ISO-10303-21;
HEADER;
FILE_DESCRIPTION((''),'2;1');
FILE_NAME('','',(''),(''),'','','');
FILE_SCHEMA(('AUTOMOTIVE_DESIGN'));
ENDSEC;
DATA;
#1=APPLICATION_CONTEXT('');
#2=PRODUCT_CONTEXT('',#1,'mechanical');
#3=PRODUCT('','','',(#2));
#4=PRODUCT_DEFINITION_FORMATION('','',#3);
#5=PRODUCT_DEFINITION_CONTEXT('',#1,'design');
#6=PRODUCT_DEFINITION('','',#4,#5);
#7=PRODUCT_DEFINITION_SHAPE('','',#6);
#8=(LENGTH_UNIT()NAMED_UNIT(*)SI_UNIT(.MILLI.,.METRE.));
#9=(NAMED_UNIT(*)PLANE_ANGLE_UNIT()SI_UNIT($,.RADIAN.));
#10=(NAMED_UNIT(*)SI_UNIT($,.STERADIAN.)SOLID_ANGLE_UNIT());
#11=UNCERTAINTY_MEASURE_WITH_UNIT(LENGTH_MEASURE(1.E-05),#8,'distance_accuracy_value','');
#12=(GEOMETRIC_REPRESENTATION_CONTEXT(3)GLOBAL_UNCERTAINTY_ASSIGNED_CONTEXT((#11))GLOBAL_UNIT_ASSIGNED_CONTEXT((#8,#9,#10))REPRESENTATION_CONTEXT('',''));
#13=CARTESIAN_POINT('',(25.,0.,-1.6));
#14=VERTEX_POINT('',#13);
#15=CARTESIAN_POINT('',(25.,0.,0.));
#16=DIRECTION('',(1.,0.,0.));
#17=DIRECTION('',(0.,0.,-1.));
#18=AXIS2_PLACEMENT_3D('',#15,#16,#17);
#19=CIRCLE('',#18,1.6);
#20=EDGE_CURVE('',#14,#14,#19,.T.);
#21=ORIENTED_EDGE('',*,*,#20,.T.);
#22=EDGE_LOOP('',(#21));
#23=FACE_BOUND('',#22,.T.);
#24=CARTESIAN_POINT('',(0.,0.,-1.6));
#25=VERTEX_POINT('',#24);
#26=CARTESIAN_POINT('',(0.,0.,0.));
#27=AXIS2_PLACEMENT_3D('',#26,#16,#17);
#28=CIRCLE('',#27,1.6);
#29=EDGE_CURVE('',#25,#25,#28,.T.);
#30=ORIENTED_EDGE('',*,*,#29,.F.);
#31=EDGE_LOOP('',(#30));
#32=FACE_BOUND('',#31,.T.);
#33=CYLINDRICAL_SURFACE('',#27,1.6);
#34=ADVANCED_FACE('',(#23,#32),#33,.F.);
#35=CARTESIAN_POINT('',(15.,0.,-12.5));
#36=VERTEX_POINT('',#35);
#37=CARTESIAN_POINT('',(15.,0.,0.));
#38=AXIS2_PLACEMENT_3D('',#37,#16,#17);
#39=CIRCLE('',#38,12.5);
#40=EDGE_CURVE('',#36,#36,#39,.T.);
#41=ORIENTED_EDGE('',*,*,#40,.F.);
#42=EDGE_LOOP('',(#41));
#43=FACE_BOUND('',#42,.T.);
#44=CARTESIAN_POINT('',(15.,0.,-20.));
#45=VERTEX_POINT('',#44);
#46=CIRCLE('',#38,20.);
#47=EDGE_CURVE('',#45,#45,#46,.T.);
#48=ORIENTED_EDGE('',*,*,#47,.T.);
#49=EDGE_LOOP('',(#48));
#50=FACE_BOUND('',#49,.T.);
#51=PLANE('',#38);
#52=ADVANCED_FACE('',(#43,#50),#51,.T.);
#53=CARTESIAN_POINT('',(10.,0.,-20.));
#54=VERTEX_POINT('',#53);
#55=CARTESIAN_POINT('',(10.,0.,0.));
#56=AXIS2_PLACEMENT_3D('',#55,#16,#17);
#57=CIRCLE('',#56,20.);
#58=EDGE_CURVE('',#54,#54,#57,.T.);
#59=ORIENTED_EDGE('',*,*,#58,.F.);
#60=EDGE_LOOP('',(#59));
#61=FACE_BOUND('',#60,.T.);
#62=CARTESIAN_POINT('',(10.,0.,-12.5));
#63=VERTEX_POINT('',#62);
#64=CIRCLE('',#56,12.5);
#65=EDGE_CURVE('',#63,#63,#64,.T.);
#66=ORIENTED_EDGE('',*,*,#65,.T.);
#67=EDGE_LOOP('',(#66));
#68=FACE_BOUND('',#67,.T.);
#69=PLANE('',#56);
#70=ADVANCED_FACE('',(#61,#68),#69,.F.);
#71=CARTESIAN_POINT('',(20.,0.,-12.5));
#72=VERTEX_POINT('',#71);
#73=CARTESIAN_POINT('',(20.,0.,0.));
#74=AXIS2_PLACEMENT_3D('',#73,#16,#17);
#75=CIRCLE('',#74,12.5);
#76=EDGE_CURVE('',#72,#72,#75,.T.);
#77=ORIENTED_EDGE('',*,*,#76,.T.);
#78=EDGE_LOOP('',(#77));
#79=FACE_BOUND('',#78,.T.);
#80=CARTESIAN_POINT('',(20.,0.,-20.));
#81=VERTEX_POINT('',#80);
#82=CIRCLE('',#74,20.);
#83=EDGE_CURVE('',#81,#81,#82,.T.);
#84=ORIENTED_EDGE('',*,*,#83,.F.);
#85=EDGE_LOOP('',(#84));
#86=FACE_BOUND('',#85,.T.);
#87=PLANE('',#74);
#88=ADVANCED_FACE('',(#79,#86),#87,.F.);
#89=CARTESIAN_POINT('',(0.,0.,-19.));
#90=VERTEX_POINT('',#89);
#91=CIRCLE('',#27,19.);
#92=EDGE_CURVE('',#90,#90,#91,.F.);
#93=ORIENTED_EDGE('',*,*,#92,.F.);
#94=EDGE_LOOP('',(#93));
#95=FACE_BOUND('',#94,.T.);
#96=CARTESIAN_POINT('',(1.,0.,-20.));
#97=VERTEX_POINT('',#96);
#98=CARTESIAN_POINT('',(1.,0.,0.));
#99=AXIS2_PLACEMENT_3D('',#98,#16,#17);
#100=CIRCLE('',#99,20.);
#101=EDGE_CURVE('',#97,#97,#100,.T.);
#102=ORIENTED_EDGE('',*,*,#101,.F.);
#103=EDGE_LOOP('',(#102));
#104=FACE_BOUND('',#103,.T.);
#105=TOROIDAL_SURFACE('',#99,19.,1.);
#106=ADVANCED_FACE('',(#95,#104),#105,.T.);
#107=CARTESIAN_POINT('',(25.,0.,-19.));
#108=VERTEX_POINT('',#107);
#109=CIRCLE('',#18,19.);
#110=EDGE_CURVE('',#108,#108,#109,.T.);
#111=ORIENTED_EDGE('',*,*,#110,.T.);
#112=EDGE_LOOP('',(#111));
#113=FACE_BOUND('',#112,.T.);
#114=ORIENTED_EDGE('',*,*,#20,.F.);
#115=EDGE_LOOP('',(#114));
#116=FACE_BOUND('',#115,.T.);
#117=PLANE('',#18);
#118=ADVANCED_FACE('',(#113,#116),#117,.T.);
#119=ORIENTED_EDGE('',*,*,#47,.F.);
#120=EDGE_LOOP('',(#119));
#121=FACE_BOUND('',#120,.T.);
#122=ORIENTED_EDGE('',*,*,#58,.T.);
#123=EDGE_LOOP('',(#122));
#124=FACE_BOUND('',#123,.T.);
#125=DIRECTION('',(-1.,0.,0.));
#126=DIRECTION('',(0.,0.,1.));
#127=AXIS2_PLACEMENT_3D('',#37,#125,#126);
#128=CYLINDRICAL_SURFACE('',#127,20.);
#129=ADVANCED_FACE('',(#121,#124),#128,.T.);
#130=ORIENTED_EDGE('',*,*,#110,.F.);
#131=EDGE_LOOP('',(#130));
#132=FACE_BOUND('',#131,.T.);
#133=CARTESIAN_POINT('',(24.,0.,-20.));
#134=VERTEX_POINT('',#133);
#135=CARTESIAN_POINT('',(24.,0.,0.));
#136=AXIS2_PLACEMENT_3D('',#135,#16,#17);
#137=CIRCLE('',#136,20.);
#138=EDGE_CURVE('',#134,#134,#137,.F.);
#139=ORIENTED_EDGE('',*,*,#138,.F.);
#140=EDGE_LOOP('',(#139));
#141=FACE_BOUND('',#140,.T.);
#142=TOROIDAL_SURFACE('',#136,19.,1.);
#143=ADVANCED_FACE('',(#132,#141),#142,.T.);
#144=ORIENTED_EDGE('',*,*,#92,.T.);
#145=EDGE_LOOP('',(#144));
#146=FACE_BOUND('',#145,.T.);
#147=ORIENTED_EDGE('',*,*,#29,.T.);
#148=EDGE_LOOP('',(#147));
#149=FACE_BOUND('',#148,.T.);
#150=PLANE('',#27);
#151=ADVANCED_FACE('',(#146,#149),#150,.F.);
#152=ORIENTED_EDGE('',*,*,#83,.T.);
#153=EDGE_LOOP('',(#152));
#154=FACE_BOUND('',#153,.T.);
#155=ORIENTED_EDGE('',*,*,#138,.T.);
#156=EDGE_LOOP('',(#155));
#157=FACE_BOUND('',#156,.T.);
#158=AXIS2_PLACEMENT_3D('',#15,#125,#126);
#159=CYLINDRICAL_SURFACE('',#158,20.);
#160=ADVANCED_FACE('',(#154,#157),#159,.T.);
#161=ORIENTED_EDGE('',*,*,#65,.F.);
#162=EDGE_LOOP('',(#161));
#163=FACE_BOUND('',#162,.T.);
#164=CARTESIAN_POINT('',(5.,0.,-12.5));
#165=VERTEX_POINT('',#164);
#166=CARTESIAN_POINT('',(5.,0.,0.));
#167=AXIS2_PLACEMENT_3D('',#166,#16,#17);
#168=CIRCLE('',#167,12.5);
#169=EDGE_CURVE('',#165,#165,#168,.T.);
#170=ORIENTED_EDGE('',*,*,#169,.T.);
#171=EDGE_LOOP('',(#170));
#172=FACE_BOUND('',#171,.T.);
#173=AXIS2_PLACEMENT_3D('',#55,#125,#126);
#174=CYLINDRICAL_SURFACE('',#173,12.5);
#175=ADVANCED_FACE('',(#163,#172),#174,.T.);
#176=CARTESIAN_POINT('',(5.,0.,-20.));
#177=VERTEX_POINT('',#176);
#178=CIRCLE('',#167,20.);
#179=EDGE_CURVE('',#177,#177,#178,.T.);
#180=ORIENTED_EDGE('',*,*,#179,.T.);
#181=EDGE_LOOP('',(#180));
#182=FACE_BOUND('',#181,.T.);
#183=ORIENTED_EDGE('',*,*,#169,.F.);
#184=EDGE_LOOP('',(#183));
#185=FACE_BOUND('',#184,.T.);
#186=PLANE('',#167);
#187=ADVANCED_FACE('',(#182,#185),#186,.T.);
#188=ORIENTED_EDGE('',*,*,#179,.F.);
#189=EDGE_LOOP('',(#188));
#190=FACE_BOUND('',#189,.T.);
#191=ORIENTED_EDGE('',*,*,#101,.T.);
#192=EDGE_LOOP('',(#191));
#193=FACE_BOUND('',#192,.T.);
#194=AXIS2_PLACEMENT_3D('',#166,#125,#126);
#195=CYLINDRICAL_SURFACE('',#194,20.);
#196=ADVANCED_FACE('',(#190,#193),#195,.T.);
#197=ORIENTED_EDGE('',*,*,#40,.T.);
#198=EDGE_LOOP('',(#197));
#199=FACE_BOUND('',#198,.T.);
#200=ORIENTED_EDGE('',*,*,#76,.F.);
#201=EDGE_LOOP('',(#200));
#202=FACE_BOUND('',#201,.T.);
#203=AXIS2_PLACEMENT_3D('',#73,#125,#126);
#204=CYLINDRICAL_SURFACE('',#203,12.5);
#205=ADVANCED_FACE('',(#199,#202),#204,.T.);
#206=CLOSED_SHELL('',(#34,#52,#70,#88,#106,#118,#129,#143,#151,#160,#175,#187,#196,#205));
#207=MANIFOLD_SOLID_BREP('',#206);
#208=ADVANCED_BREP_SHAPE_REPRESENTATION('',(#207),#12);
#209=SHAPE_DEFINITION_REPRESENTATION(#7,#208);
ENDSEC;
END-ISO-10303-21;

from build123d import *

# Parameters (mm, degrees)
SKETCH1_R           = 20
BOSS_EXTRUDE1_DEPTH = 5
SKETCH2_R           = 12.5
BOSS_EXTRUDE2_DEPTH = 5
SKETCH3_R           = 20
BOSS_EXTRUDE3_DEPTH = 5
SKETCH4_R           = 12.5
BOSS_EXTRUDE4_DEPTH = 5
SKETCH5_R           = 20
BOSS_EXTRUDE5_DEPTH = 5
FILLET1_R           = 1
SKETCH6_R           = 1.6
CUT_EXTRUDE1_DEPTH  = 25


with BuildPart() as part:
    # Sketch1 → Boss-Extrude1 (new body)
    with BuildSketch(Plane(origin=(0, 0, 0), x_dir=(0, 0, -1), z_dir=(1, 0, 0))):
        Circle(SKETCH1_R)
    extrude(amount=BOSS_EXTRUDE1_DEPTH)

    # Sketch2 → Boss-Extrude2 (add)
    with BuildSketch(Plane(origin=(5, 0, 0), x_dir=(0, 0, -1), z_dir=(1, 0, 0))):
        Circle(SKETCH2_R)
    extrude(amount=BOSS_EXTRUDE2_DEPTH)

    # Sketch3 → Boss-Extrude3 (add)
    with BuildSketch(Plane(origin=(10, 0, 0), x_dir=(0, 0, -1), z_dir=(1, 0, 0))):
        Circle(SKETCH3_R)
    extrude(amount=BOSS_EXTRUDE3_DEPTH)

    # Sketch4 → Boss-Extrude4 (add)
    with BuildSketch(Plane(origin=(15, 0, 0), x_dir=(0, 0, -1), z_dir=(1, 0, 0))):
        Circle(SKETCH4_R)
    extrude(amount=BOSS_EXTRUDE4_DEPTH)

    # Sketch5 → Boss-Extrude5 (add)
    with BuildSketch(Plane(origin=(20, 0, 0), x_dir=(0, 0, -1), z_dir=(1, 0, 0))):
        Circle(SKETCH5_R)
    extrude(amount=BOSS_EXTRUDE5_DEPTH)

    # Fillet1
    fillet1_edges = [part.edges().sort_by_distance(p)[0] for p in [
        (25, 0, 20),
        (0, 0, 20),
    ]]
    fillet(fillet1_edges, radius=FILLET1_R)

    # Sketch6 → Cut-Extrude1 (cut)
    with BuildSketch(Plane(origin=(25, 0, 0), x_dir=(0, 0, -1), z_dir=(1, 0, 0))):
        Circle(SKETCH6_R)
    extrude(amount=-CUT_EXTRUDE1_DEPTH, mode=Mode.SUBTRACT)


solid = part.part
